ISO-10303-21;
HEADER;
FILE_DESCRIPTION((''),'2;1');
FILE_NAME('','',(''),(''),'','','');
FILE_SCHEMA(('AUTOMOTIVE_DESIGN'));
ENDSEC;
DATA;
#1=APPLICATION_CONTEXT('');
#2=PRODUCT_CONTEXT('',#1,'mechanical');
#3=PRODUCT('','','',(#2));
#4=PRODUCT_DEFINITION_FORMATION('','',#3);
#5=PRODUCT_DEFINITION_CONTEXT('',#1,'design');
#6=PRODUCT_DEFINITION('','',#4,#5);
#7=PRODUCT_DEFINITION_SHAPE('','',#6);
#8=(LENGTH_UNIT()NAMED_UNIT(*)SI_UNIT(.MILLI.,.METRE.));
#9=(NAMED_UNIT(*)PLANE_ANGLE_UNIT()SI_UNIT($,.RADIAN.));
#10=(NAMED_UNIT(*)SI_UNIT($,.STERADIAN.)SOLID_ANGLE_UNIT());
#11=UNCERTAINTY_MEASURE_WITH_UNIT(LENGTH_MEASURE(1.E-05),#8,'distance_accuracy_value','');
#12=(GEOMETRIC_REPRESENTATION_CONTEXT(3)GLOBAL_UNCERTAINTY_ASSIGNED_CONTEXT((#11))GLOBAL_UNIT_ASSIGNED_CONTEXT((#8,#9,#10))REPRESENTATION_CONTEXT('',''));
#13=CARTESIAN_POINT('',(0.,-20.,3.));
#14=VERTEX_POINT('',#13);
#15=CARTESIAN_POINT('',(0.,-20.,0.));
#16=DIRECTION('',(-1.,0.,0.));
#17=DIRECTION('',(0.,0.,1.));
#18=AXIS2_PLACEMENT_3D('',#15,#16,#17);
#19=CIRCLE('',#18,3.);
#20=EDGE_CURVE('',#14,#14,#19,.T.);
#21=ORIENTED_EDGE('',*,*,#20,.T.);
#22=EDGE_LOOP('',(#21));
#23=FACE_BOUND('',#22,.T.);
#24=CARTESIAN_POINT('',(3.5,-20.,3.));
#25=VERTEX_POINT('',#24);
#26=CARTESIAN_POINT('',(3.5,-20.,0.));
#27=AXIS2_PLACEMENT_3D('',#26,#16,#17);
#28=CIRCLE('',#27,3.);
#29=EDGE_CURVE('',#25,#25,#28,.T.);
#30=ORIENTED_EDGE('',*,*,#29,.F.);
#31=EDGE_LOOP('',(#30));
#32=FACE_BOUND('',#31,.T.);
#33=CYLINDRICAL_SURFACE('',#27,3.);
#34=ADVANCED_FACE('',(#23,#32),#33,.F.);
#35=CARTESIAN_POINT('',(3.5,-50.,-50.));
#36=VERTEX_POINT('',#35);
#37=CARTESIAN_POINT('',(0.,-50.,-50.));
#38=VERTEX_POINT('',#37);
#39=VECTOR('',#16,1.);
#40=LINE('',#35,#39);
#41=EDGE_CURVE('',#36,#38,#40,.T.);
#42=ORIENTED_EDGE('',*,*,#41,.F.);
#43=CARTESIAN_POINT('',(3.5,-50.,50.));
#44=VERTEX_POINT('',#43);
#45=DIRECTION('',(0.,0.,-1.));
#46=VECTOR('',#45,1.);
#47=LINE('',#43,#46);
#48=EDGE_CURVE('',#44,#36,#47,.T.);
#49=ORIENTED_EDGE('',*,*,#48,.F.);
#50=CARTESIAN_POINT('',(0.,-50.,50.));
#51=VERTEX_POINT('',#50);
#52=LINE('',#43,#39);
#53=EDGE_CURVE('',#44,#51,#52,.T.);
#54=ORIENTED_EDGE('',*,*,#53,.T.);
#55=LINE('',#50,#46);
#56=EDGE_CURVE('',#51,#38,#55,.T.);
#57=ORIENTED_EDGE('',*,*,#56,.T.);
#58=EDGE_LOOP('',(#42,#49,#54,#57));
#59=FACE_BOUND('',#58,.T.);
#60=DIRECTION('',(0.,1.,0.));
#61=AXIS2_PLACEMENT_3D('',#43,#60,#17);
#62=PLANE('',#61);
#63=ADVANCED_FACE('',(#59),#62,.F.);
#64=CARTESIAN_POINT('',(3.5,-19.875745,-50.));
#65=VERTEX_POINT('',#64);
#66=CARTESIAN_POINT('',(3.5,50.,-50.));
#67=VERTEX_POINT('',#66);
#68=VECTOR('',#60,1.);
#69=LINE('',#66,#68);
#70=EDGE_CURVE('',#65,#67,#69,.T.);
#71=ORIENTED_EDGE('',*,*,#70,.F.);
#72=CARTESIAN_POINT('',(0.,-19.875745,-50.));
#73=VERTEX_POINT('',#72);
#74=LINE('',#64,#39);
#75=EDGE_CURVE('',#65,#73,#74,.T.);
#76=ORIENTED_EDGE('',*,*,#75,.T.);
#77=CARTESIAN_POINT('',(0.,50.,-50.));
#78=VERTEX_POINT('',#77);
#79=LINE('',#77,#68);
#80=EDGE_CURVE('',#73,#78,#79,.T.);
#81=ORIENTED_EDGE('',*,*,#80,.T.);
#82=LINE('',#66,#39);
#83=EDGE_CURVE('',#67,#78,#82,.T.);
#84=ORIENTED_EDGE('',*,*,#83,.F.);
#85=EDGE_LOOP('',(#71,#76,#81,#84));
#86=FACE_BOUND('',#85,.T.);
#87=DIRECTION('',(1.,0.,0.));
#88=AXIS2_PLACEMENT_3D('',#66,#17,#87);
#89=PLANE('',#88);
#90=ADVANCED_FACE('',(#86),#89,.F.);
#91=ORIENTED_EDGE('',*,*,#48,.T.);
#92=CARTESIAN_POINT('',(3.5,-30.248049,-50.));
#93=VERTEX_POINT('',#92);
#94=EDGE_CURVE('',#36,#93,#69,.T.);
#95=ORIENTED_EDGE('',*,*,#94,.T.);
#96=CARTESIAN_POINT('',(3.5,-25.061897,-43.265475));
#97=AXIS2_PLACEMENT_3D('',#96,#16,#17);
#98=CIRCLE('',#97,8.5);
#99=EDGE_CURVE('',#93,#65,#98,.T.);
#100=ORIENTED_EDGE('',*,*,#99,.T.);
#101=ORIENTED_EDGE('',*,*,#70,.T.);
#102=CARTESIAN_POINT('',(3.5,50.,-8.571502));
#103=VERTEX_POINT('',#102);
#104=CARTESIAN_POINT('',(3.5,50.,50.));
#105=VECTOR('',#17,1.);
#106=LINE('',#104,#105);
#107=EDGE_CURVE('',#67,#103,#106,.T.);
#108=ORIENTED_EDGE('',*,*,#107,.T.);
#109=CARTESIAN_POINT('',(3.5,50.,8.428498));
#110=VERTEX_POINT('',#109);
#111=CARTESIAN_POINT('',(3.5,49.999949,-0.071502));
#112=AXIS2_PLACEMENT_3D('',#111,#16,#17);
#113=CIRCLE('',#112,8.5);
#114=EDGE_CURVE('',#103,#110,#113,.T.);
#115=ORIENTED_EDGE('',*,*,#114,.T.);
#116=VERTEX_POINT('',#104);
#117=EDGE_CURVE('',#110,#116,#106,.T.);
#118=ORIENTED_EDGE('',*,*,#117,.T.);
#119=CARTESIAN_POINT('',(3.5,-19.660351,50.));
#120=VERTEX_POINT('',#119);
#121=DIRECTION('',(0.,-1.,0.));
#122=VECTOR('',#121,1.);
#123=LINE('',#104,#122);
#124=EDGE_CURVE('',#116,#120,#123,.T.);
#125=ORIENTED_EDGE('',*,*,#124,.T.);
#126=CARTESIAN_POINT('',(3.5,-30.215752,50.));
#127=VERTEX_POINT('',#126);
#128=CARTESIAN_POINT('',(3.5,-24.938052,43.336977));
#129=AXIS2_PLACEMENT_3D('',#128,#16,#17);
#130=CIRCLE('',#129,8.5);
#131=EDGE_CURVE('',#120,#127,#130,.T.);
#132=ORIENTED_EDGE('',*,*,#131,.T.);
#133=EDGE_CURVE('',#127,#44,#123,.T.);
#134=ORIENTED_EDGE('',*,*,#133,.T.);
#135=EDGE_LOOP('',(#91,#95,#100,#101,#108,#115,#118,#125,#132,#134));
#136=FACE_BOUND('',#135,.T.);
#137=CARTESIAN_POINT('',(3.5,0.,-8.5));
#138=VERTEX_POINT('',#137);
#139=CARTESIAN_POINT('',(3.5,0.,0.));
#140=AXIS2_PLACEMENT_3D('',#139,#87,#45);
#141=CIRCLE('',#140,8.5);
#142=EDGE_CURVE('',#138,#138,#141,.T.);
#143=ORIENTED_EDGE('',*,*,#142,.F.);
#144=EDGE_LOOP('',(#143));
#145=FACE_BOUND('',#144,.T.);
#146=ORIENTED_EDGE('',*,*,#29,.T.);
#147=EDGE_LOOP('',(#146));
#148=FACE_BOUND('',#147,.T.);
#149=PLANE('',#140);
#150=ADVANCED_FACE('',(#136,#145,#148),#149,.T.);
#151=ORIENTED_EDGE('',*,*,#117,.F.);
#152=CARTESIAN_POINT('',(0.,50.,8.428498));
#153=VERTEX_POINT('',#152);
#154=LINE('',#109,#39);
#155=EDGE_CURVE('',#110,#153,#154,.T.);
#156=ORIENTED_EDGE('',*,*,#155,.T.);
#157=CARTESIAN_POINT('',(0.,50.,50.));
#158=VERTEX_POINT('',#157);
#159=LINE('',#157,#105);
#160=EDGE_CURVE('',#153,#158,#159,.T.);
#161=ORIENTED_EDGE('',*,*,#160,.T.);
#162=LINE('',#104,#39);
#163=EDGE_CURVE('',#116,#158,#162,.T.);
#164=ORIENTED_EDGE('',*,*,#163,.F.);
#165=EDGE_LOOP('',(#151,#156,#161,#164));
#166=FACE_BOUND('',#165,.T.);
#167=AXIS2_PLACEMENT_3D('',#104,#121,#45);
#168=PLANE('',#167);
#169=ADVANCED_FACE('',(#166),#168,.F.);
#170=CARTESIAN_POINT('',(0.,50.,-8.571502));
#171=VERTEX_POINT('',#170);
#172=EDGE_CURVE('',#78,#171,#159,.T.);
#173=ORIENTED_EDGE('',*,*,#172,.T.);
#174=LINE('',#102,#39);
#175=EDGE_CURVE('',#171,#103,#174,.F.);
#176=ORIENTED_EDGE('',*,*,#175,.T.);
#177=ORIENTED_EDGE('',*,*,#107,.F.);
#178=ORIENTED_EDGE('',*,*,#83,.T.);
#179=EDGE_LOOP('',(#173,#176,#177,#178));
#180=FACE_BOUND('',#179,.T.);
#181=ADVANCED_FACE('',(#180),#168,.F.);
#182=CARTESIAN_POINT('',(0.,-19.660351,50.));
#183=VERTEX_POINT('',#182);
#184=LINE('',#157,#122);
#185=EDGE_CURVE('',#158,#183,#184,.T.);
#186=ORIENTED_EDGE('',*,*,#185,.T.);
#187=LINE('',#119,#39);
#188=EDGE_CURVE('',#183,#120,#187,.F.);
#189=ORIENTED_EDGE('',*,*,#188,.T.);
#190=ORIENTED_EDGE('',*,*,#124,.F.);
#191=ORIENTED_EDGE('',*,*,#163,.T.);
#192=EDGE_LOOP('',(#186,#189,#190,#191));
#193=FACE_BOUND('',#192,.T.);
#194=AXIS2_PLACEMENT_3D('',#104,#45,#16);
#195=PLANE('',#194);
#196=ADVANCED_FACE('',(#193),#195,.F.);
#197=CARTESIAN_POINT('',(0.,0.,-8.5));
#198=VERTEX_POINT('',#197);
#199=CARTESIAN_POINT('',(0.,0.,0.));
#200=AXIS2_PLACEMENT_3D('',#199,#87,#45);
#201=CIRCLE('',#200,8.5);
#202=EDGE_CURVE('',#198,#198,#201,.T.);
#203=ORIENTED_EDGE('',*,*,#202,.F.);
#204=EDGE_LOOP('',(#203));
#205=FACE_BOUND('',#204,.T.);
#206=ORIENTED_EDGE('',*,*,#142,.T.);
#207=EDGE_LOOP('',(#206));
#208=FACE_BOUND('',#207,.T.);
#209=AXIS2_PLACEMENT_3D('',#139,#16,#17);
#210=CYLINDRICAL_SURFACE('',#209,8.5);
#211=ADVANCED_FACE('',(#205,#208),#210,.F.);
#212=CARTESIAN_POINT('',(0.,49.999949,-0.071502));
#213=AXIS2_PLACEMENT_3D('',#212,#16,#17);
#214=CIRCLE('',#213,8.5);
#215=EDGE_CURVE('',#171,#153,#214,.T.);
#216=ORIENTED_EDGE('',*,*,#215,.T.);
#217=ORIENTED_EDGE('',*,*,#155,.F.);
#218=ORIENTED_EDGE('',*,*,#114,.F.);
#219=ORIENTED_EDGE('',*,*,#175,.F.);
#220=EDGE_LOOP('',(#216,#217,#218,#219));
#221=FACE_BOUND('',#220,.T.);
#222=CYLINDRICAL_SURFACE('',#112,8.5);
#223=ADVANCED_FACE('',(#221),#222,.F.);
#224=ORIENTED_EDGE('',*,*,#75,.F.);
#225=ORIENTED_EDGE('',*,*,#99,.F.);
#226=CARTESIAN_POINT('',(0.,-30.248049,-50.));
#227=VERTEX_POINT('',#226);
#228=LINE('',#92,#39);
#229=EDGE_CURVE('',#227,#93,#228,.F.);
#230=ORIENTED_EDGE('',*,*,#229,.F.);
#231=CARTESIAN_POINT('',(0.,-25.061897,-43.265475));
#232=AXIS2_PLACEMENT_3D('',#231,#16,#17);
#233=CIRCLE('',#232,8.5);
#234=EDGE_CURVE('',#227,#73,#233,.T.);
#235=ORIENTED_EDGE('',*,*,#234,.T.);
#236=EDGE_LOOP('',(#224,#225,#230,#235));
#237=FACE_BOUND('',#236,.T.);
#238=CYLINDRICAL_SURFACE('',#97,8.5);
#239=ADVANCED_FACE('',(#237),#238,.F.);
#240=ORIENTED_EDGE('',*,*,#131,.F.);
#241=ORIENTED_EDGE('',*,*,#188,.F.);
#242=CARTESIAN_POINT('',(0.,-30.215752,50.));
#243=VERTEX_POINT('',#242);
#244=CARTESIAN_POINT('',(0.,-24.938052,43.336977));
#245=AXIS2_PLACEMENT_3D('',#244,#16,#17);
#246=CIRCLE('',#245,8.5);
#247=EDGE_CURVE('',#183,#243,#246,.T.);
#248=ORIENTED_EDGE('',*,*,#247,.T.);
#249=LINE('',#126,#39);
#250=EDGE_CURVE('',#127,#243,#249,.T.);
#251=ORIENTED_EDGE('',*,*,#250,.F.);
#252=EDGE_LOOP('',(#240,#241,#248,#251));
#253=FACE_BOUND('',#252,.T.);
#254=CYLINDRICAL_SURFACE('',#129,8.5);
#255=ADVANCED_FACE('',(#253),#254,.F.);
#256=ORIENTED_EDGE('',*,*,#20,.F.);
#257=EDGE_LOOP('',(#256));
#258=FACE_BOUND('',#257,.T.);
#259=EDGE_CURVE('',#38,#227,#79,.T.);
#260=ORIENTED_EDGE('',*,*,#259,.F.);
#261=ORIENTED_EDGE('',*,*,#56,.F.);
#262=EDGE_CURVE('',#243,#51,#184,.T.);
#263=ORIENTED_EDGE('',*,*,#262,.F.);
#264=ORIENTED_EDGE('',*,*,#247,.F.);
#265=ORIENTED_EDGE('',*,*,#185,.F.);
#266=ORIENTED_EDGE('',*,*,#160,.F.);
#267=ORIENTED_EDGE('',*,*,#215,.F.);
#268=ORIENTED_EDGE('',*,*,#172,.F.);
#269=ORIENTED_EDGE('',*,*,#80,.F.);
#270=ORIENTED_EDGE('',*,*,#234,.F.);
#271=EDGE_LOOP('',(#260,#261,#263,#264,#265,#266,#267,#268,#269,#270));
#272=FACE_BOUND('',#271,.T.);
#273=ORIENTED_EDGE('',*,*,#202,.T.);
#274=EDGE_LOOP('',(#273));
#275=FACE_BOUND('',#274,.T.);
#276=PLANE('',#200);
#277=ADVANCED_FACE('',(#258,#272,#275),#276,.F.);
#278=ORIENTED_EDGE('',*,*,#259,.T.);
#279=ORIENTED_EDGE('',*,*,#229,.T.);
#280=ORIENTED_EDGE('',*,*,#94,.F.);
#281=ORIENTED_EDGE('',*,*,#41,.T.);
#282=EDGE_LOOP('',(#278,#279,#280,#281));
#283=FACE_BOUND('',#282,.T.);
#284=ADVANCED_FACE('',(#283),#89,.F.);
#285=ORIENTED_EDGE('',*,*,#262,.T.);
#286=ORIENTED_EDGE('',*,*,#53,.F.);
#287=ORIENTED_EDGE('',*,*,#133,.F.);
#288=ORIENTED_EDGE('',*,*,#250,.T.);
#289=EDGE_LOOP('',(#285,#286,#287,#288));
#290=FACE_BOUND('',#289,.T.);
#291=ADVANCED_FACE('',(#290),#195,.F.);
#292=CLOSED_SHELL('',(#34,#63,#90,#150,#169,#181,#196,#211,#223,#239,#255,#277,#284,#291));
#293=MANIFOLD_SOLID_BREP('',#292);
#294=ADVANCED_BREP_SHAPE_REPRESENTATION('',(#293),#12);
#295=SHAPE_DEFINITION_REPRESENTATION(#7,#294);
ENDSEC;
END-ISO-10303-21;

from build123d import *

# Parameters (mm, degrees)
SKETCH2_W           = 100
SKETCH2_H           = 100
SKETCH2_R           = 8.5
BOSS_EXTRUDE1_DEPTH = 3.5
SKETCH3_R           = 8.5
CUT_EXTRUDE1_DEPTH  = 71.797245709
SKETCH4_R           = 3
CUT_EXTRUDE2_DEPTH  = 71.797245709


with BuildPart() as part:
    # Sketch2 → Boss-Extrude1 (new body)
    with BuildSketch(Plane(origin=(0, 0, 0), x_dir=(0, 0, -1), z_dir=(1, 0, 0))):
        Rectangle(SKETCH2_W, SKETCH2_H)
        Circle(SKETCH2_R, mode=Mode.SUBTRACT)
    extrude(amount=BOSS_EXTRUDE1_DEPTH)

    # Sketch3 → Cut-Extrude1 (cut, through all)
    with BuildSketch(Plane.ZY):
        with Locations((43.336976945, -24.938051834)):
            Circle(SKETCH3_R)
        with Locations((-43.265474881, -25.061897041)):
            Circle(SKETCH3_R)
        with Locations((-0.071502064, 49.999948875)):
            Circle(SKETCH3_R)
    extrude(amount=-CUT_EXTRUDE1_DEPTH, mode=Mode.SUBTRACT)

    # Sketch4 → Cut-Extrude2 (cut, through all)
    with BuildSketch(Plane.ZY):
        with Locations((0, -20)):
            Circle(SKETCH4_R)
    extrude(amount=-CUT_EXTRUDE2_DEPTH, mode=Mode.SUBTRACT)


solid = part.part
